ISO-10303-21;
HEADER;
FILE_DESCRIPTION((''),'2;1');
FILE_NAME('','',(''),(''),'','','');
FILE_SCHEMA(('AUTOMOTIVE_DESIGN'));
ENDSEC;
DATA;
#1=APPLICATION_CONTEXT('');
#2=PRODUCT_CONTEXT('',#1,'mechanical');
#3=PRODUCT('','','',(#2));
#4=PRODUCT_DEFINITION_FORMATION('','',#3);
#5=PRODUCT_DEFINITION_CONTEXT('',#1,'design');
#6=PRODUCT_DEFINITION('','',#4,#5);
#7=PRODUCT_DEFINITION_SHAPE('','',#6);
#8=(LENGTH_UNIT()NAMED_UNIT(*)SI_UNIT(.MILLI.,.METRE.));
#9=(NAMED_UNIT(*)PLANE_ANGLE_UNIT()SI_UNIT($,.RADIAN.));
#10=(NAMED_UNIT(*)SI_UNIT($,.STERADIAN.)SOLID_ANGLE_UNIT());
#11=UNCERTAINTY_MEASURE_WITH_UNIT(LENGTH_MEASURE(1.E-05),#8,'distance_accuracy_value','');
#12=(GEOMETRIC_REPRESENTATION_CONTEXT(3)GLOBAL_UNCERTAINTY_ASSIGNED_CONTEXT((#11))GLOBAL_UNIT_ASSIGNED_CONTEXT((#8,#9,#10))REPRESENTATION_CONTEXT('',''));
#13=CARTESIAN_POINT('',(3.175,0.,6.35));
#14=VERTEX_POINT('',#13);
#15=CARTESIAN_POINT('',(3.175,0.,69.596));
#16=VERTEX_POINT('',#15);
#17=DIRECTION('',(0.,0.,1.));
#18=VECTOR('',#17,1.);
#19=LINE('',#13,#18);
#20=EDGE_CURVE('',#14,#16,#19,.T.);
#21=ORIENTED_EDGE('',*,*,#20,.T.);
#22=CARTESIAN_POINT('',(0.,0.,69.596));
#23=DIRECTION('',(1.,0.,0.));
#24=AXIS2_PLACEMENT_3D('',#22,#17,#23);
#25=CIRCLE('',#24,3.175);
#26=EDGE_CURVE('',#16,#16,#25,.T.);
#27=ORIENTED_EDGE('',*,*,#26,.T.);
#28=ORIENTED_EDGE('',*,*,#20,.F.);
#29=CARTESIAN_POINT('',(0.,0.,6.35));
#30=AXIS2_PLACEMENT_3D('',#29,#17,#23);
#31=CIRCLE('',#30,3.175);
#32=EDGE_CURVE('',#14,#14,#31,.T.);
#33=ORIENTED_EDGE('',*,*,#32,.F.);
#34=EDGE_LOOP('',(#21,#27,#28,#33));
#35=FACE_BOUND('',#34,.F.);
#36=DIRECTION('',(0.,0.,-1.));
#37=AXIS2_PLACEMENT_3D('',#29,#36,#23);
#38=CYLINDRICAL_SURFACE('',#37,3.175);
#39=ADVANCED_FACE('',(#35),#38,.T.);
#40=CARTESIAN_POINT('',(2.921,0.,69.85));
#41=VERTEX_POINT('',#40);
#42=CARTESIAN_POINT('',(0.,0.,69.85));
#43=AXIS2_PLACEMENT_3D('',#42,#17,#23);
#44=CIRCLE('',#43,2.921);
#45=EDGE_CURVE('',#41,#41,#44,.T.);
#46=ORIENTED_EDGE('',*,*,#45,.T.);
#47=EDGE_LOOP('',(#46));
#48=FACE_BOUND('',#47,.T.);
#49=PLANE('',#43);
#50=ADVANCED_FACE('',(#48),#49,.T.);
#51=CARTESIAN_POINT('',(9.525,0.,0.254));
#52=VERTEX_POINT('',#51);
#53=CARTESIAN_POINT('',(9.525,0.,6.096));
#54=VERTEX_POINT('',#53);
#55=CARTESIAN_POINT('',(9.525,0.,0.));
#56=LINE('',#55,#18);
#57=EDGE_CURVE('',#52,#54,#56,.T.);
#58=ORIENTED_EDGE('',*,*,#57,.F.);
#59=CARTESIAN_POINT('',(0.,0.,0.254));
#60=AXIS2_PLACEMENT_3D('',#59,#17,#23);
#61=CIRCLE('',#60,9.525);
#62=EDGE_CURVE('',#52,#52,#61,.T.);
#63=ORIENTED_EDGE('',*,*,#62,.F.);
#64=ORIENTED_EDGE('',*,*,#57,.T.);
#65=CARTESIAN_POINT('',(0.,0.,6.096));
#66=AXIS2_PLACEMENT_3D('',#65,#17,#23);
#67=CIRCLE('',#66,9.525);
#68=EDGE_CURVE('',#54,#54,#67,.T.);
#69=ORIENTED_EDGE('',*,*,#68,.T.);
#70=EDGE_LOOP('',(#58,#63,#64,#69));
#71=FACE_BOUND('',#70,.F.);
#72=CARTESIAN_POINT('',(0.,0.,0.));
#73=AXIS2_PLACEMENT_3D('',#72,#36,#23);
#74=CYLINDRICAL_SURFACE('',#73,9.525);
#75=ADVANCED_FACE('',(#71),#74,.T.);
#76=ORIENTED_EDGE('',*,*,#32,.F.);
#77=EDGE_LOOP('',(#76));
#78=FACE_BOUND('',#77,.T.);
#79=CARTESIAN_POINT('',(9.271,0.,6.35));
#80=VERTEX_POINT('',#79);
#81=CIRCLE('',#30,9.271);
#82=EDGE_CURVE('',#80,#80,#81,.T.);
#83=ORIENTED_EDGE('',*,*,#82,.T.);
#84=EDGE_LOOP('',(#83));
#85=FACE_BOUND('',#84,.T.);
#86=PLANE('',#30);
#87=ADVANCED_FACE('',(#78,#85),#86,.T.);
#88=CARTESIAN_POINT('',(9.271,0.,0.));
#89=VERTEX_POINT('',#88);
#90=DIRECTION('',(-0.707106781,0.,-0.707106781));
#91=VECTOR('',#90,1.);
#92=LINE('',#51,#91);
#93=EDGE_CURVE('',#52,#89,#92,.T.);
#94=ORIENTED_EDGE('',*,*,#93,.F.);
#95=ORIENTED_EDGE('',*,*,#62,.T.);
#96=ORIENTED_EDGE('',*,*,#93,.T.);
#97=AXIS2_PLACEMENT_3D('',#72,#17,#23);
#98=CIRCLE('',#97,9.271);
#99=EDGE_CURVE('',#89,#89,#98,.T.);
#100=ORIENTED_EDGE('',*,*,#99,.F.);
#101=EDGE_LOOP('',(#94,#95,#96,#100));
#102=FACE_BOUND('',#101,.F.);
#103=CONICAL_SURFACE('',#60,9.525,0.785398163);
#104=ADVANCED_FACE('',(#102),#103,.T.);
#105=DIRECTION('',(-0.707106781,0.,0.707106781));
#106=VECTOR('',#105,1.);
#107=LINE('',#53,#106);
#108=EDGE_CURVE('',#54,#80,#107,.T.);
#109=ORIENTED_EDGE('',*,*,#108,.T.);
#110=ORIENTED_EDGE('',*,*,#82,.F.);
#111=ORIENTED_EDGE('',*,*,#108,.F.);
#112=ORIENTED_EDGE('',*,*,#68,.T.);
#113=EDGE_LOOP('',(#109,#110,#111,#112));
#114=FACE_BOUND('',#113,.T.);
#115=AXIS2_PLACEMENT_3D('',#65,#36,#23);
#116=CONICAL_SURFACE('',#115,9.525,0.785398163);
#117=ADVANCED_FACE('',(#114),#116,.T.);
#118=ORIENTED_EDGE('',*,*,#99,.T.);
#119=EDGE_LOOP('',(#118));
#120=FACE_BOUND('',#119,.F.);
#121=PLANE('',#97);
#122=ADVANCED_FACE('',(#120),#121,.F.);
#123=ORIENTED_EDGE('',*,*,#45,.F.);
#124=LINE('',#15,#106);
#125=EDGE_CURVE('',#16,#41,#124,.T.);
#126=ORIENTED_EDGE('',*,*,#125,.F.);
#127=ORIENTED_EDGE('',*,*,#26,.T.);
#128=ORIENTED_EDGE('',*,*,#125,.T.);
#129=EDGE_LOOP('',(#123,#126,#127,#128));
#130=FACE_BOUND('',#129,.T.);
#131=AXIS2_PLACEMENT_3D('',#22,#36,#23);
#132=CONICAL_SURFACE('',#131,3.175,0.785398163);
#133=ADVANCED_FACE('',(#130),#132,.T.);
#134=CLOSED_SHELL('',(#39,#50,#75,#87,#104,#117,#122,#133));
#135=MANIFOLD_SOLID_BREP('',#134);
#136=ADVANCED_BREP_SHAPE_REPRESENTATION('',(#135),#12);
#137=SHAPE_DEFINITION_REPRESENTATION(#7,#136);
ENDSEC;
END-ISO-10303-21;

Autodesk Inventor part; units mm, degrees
ref_plane "YZ Plane" through (0, 0, 0) normal (1, 0, 0) x (0, 1, 0)
ref_plane "XZ Plane" through (0, 0, 0) normal (0, 1, 0) x (-1, 0, 0)
ref_plane "XY Plane" through (0, 0, 0) normal (0, 0, 1) x (1, 0, 0)
sketch "Sketch1" plane through (0, 0, 0) normal (0, 0, 1) x (1, 0, 0)
  circle A0 centre (0, 0) radius 9.525
extrude "Extrusion1" add sketch "Sketch1" along normal blind 6.35
sketch "Sketch2" plane through (0, 0, 6.35) normal (0, 0, 1) x (1, 0, 0)
  circle A0 centre (0, 0) radius 9.525 projected
  circle A1 centre (0, 0) radius 3.175
extrude "Extrusion2" add sketch "Sketch2" along normal blind 63.5 contours A1
chamfer "Chamfer1" distance 0.254 angle 45 3 edges at (-3.175, 0, 69.85) (-9.525, 0, 6.35) (-9.525, 0, 0)
properties part number "piston_rod"
